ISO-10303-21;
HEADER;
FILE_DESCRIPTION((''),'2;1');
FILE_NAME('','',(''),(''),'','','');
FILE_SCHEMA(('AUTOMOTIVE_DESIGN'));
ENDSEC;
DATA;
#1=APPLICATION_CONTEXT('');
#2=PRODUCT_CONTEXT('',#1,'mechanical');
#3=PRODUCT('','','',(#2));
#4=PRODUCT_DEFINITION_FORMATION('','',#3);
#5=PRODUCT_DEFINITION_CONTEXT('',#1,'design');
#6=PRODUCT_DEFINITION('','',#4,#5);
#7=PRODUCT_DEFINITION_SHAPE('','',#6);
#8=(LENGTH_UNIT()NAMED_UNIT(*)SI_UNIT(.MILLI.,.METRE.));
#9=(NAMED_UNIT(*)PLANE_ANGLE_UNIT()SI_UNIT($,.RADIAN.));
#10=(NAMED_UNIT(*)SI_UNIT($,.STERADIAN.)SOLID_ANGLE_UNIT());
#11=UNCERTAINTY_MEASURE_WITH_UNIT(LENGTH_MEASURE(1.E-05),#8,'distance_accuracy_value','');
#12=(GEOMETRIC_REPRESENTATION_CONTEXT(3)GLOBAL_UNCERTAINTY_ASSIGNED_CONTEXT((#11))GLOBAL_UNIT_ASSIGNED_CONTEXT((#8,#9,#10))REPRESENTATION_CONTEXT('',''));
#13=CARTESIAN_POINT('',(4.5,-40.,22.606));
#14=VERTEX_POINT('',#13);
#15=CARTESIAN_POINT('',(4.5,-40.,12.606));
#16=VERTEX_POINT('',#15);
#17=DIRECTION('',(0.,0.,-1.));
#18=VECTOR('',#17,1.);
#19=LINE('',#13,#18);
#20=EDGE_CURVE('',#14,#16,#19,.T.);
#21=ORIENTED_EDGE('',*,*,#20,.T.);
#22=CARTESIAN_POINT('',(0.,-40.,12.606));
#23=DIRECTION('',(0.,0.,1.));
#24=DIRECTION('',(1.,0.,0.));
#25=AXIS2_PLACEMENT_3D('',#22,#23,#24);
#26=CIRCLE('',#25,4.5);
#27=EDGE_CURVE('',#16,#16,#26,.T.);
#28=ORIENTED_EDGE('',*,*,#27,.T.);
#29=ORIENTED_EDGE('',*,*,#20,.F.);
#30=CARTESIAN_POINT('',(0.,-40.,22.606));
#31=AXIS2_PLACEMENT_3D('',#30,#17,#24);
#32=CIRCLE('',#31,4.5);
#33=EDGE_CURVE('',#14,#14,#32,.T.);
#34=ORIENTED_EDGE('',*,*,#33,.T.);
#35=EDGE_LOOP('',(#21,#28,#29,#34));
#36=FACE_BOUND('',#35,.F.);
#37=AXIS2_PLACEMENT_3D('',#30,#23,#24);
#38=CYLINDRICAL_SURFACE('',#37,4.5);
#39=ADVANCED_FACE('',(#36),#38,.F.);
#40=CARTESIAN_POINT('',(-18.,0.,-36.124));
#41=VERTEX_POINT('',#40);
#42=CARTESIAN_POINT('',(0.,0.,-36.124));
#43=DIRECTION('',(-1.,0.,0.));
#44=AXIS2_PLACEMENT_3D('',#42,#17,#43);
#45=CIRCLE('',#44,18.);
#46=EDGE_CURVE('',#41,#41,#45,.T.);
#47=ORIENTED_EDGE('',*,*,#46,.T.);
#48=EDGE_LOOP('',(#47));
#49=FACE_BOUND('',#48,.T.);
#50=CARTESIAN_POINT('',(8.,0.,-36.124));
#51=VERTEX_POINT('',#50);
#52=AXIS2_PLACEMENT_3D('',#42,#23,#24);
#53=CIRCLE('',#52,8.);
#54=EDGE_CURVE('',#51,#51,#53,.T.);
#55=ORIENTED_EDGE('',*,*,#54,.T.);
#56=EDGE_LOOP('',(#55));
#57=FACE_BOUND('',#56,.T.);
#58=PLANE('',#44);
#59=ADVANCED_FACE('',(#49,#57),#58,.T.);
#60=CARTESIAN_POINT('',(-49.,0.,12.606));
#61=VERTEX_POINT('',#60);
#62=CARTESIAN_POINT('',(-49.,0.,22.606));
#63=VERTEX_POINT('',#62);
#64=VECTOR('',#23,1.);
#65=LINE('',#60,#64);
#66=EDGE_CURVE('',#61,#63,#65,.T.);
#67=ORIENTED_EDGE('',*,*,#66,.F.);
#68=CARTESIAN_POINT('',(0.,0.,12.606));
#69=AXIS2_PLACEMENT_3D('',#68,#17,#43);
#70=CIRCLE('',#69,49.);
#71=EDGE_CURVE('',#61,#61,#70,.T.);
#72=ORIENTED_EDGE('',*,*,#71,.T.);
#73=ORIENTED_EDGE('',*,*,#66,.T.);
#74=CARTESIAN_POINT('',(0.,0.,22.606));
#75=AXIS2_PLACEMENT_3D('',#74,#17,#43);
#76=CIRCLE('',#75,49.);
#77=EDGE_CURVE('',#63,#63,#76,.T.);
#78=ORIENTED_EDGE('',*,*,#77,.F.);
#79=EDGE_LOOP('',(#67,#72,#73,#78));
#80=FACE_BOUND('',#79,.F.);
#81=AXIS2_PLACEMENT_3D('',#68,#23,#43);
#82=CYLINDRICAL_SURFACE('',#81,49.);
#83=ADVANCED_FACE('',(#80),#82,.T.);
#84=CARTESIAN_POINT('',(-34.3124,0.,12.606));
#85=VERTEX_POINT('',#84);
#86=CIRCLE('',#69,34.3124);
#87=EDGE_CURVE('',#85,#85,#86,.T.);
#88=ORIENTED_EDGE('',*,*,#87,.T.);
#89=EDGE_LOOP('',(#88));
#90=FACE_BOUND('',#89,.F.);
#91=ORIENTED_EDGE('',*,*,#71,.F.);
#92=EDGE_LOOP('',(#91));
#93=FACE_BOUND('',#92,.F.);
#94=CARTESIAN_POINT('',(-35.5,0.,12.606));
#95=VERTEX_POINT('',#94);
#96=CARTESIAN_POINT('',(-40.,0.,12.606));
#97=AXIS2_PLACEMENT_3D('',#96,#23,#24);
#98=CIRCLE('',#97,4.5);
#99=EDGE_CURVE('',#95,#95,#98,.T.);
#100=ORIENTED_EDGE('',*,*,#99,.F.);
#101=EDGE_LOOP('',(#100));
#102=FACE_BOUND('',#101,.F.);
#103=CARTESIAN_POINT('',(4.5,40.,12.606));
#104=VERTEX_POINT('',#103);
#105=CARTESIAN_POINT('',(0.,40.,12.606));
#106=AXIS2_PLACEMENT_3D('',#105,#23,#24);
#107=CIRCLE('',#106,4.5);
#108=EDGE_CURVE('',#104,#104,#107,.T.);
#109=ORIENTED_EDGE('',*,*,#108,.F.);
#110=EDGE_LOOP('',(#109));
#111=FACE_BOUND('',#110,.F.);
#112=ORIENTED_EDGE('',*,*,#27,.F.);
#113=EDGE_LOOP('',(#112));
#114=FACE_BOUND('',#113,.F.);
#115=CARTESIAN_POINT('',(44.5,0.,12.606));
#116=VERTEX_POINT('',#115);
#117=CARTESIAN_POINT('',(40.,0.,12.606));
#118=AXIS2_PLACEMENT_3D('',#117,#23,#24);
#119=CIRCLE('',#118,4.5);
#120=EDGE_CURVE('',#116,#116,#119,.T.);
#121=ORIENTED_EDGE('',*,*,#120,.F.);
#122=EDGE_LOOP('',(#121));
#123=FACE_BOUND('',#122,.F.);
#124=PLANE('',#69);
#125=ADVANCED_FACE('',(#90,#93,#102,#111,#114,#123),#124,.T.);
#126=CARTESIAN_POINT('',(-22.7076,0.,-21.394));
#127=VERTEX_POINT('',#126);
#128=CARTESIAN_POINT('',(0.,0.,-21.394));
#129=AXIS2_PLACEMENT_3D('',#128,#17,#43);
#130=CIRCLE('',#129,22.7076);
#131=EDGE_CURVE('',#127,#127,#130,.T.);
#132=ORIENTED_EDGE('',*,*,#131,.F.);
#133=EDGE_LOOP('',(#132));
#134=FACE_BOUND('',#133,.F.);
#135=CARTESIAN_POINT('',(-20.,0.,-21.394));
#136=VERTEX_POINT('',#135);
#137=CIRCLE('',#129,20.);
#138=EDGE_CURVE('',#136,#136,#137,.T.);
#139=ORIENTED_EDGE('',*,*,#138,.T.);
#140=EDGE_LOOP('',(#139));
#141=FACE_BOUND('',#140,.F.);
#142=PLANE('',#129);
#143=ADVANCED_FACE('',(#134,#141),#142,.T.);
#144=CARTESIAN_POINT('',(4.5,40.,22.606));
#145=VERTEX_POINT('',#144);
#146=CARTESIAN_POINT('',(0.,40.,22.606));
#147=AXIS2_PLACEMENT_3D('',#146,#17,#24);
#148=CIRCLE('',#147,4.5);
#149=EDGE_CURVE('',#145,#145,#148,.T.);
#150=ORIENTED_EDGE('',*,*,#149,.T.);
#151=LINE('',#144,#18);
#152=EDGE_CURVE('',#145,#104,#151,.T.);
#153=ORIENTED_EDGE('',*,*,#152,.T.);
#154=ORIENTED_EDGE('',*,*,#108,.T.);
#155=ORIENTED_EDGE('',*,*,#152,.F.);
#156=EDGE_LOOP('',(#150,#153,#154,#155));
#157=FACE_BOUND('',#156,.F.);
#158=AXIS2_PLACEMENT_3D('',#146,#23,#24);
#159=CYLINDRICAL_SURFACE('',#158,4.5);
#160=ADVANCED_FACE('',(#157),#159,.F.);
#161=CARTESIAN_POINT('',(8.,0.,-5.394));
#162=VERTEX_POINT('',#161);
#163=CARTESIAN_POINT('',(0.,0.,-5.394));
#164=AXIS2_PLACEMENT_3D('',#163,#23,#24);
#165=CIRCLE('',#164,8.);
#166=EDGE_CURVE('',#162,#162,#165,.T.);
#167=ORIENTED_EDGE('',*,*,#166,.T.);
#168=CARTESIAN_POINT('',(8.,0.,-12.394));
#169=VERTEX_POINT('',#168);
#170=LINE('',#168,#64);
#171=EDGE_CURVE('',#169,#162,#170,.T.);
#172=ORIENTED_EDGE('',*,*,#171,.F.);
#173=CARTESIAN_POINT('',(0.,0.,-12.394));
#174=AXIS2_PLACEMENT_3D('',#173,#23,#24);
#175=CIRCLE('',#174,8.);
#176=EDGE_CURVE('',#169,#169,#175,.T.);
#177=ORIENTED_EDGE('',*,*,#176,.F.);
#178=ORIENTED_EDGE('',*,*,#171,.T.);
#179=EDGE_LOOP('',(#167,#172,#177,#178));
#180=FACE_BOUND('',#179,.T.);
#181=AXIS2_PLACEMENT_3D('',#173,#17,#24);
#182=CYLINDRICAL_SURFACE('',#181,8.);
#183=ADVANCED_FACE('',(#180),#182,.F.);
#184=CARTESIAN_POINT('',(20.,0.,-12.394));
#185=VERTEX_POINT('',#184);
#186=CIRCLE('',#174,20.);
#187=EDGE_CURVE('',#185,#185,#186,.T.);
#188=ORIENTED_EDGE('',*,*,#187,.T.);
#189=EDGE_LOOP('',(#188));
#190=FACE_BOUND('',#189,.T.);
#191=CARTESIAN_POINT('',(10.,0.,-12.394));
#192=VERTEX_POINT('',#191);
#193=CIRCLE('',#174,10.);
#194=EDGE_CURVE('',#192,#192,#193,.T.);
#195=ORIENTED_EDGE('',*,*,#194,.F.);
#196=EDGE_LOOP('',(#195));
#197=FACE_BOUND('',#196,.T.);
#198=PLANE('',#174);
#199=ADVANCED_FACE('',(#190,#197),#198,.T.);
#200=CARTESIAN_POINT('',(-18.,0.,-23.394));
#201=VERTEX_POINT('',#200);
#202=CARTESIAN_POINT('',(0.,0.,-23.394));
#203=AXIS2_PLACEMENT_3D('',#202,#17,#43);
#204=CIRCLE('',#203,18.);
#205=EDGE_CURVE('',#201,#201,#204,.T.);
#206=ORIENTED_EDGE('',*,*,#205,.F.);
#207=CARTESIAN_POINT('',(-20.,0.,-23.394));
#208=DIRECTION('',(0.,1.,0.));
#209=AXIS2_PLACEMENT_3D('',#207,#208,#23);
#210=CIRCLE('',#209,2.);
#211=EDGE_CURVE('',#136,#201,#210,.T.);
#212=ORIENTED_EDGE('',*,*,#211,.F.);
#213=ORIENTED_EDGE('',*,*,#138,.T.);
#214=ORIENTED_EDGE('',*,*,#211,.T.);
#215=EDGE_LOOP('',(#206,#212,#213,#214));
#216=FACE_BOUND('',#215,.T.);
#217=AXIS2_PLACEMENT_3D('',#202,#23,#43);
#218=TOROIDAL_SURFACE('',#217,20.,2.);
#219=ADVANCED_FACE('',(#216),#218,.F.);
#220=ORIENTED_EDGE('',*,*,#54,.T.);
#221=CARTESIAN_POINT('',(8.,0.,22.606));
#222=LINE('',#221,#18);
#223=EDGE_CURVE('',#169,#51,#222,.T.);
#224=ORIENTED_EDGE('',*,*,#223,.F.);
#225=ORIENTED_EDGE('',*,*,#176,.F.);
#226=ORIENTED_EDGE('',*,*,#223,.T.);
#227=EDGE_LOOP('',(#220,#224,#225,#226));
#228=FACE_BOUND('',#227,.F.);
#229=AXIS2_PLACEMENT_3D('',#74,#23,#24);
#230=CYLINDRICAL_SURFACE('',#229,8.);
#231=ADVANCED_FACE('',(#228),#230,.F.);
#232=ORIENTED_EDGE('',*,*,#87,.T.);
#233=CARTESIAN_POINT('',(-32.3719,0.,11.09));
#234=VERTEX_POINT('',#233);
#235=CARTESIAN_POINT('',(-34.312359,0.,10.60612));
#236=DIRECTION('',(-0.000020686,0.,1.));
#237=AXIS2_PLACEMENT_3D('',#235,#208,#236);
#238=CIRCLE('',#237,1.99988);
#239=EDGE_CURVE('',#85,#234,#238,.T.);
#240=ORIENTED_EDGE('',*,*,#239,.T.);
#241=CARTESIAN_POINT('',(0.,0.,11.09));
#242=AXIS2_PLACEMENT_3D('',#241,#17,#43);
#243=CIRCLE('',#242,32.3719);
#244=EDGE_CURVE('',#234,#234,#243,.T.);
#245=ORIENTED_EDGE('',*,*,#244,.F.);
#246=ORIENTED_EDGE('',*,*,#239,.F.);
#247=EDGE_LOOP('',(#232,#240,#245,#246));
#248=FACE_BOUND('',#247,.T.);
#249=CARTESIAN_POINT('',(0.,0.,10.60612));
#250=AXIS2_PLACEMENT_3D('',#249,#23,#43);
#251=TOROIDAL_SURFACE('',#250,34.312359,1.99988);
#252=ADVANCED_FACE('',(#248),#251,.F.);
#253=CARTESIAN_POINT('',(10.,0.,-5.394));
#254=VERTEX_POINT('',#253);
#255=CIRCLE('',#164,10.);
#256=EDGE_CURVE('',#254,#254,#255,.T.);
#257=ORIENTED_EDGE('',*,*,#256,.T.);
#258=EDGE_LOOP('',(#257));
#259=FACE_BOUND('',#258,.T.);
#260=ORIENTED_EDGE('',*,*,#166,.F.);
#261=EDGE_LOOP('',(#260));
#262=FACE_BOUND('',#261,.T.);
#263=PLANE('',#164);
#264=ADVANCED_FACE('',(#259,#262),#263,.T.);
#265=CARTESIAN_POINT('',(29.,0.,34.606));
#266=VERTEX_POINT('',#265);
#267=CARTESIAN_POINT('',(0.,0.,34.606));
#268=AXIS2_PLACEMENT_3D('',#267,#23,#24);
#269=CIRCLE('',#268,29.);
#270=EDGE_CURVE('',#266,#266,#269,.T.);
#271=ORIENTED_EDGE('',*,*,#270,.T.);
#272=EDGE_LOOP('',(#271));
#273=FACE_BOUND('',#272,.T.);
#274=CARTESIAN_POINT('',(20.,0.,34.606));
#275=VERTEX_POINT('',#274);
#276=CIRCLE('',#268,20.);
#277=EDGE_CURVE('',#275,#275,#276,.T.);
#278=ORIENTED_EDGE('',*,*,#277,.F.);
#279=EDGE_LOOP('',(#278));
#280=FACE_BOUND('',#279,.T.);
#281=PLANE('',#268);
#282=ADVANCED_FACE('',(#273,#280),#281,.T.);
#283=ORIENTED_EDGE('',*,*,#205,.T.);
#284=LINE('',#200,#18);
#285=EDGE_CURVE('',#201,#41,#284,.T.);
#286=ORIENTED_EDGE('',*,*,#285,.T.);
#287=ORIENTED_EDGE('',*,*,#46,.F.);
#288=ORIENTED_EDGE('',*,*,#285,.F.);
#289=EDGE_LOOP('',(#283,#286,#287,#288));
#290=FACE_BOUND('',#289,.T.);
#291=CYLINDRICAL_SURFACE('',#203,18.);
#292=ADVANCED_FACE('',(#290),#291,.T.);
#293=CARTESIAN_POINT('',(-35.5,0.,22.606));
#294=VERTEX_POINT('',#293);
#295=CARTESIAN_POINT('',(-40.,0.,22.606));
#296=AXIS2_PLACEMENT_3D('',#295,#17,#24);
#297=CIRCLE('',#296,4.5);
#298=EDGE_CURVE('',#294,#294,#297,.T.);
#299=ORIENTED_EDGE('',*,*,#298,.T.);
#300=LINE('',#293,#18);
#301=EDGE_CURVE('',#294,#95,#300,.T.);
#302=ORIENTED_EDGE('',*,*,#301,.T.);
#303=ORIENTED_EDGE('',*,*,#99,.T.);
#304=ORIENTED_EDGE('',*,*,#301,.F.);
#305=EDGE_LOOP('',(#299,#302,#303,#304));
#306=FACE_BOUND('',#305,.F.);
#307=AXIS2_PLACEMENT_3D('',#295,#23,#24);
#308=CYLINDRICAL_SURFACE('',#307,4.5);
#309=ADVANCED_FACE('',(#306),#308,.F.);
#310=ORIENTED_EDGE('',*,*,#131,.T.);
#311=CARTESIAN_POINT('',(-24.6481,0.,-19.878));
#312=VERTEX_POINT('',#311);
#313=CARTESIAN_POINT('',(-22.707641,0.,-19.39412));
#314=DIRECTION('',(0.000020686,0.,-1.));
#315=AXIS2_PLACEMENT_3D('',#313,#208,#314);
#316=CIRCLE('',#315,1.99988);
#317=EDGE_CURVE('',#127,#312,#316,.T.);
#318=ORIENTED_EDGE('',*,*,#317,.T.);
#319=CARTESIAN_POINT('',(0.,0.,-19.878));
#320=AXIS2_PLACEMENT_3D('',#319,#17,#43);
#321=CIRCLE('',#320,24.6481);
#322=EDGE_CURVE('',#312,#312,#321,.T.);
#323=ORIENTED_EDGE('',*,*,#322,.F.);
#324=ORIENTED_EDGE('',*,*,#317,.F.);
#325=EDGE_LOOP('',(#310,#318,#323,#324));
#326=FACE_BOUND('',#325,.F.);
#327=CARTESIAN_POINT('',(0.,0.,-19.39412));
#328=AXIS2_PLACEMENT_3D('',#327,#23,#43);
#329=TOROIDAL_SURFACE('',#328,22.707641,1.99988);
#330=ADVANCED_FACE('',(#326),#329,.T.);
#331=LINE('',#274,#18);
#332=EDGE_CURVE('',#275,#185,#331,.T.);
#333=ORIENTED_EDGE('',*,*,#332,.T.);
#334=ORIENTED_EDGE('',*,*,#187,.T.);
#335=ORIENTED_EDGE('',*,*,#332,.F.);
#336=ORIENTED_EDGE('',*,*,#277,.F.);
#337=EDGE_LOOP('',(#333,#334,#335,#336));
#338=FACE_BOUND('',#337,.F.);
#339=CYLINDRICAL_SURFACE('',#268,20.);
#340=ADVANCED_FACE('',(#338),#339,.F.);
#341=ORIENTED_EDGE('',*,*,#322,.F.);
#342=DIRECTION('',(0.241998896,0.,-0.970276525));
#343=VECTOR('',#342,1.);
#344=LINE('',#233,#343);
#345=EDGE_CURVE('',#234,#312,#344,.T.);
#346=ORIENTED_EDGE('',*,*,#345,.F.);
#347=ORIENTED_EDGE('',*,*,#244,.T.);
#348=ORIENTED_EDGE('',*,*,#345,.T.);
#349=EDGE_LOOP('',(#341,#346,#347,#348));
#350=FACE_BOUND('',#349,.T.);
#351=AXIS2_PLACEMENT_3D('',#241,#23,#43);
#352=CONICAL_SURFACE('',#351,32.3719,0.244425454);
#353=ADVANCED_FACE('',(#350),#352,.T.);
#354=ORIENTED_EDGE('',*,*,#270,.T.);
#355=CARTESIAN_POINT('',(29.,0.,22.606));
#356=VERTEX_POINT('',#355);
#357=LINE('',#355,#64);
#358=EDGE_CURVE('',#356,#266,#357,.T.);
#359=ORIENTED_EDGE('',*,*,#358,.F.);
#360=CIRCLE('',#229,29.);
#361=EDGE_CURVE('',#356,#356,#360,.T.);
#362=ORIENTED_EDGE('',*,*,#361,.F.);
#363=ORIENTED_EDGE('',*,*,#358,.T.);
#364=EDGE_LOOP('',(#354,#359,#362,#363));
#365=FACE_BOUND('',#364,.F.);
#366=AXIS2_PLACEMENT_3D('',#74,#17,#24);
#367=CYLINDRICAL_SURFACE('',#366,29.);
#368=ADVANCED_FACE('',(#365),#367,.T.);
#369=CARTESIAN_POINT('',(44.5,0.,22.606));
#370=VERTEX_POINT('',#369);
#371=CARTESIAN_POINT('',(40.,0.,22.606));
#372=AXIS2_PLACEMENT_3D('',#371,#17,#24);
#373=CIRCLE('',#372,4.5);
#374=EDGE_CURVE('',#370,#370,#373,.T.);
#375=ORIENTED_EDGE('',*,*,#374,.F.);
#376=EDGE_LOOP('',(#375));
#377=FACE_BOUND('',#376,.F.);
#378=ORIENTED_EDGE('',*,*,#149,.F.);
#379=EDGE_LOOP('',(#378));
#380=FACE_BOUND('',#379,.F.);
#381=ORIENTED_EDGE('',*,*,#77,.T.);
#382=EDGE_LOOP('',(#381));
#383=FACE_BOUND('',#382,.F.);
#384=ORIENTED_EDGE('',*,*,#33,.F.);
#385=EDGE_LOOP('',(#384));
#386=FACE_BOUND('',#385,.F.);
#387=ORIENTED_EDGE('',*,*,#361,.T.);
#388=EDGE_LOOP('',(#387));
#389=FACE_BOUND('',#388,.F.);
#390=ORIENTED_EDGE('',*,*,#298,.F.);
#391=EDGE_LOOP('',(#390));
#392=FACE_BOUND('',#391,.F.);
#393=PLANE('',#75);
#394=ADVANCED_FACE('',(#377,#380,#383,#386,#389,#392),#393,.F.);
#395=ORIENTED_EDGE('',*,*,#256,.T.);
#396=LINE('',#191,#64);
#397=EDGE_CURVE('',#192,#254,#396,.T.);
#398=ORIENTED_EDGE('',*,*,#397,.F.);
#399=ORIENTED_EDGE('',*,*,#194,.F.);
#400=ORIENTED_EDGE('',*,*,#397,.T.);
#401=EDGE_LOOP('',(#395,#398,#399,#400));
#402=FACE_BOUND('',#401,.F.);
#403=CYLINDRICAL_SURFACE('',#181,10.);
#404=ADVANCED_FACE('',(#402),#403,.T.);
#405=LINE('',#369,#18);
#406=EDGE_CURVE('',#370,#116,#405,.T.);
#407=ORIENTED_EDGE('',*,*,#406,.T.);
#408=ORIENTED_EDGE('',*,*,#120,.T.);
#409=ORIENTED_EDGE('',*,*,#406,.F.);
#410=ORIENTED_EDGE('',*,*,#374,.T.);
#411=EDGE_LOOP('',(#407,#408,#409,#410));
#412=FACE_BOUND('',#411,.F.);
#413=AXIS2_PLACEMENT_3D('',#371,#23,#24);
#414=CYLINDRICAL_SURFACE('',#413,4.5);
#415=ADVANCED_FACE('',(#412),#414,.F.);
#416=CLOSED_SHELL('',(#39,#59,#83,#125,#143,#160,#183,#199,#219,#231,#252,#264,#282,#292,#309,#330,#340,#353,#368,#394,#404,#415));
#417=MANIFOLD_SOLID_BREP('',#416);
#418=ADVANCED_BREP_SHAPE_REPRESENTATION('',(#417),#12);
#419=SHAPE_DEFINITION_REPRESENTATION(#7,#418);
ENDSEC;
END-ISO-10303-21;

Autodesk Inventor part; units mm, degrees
ref_plane "YZ Plane" through (0, 0, 0) normal (1, 0, 0) x (0, 1, 0)
ref_plane "XZ Plane" through (0, 0, 0) normal (0, 1, 0) x (-1, 0, 0)
ref_plane "XY Plane" through (0, 0, 0) normal (0, 0, 1) x (1, 0, 0)
sketch "Szkic1" plane through (0, 0, 0) normal (0, 1, 0) x (-1, 0, 0)
  line L0 (34.3124, 12.606) -> (49, 12.606)
  line L1 (0, 12.606) -> (0, -21.394)
  line L2 (20, -21.394) -> (22.7076, -21.394)
  line L3 (49, 12.606) -> (32.75, 12.606)
  line L4 (32.3719, 11.09) -> (24.6481, -19.878)
  arc A0 (34.3124, 12.606) -> (32.3719, 11.09) centre (34.3124, 10.606) ccw
  arc A1 (22.7076, -21.394) -> (24.6481, -19.878) centre (22.7076, -19.394) ccw
  line L5 (49, 12.606) -> (49, 22.606)
  line L6 (49, 22.606) -> (0, 22.606)
  line L7 (0, 22.606) -> (0, 12.606)
  line L8 (0, -21.394) -> (18, -21.394)
  line L9 (18, -23.394) -> (18, -36.124)
  line L10 (18, -36.124) -> (0, -36.124)
  line L11 (0, -36.124) -> (0, -21.394)
  arc A2 (20, -21.394) -> (18, -23.394) centre (20, -23.394) ccw
  point P0 (0, 0)
  point P1 (24.27, -21.394)
  dimension "d0" = 49
  dimension "d1" = 34
  dimension "d2" = 24.27
  dimension "d3" = 16.25
  dimension "d4" = 2
  dimension "d5" = 2
  dimension "d6" = 10
  dimension "d7" = 18
  dimension "d8" = 14.73
  dimension "d9" = 2
revolve "Obrót1" add sketch "Szkic1" angle 360 about axis through (0, 0, 12.606) along (0, 0, -1)
sketch "Szkic4" plane through (0, 0, 22.606) normal (0, 0, 1) x (1, 0, 0)
  circle A0 centre (0, 0) radius 8
  dimension "d16" = 16
sketch "Szkic5" plane through (0, 0, 22.606) normal (0, 0, 1) x (1, 0, 0)
  circle A0 centre (0, 0) radius 40
  circle A1 centre (-40, 0) radius 4.5
  circle A2 centre (0, -40) radius 4.5
  circle A3 centre (40, 0) radius 4.5
  circle A4 centre (0, 40) radius 4.5
  point P0 (-39.7469, -4.4929)
  point P1 (-39.7469, 4.4929)
  dimension "d21" = 80
  dimension "d22" = 9
  dimension "d31" = 9
  dimension "d32" = 9
  dimension "d33" = 9
extrude "Wyciągnięcie proste3" cut sketch "Szkic5" against normal through all contours A0 A3 | A0 A3 | A4 A0 | A0 A4 | A2 A0 | A0 A2 | A1 A0 | A0 A1
extrude "Wyciągnięcie proste5" cut sketch "Szkic4" against normal blind 60
sketch "Szkic7" plane through (0, 0, 22.606) normal (0, 0, 1) x (1, 0, 0)
  circle A0 centre (0, 0) radius 29
extrude "Wyciągnięcie proste6" add sketch "Szkic7" along normal blind 12
sketch "Szkic8" plane through (0, 0, 34.606) normal (0, 0, 1) x (1, 0, 0)
  circle A0 centre (0, 0) radius 8 projected
  circle A1 centre (0, 0) radius 20
extrude "Wyciągnięcie proste7" cut sketch "Szkic8" against normal blind 47 contours A0 | A1
sketch "Szkic9" plane through (0, 0, -12.394) normal (0, 0, 1) x (1, 0, 0)
  circle A0 centre (0, 0) radius 10
  circle A1 centre (0, 0) radius 8
extrude "Wyciągnięcie proste8" add sketch "Szkic9" along normal blind 7
properties part number "pokrywa" material "Srebro"
